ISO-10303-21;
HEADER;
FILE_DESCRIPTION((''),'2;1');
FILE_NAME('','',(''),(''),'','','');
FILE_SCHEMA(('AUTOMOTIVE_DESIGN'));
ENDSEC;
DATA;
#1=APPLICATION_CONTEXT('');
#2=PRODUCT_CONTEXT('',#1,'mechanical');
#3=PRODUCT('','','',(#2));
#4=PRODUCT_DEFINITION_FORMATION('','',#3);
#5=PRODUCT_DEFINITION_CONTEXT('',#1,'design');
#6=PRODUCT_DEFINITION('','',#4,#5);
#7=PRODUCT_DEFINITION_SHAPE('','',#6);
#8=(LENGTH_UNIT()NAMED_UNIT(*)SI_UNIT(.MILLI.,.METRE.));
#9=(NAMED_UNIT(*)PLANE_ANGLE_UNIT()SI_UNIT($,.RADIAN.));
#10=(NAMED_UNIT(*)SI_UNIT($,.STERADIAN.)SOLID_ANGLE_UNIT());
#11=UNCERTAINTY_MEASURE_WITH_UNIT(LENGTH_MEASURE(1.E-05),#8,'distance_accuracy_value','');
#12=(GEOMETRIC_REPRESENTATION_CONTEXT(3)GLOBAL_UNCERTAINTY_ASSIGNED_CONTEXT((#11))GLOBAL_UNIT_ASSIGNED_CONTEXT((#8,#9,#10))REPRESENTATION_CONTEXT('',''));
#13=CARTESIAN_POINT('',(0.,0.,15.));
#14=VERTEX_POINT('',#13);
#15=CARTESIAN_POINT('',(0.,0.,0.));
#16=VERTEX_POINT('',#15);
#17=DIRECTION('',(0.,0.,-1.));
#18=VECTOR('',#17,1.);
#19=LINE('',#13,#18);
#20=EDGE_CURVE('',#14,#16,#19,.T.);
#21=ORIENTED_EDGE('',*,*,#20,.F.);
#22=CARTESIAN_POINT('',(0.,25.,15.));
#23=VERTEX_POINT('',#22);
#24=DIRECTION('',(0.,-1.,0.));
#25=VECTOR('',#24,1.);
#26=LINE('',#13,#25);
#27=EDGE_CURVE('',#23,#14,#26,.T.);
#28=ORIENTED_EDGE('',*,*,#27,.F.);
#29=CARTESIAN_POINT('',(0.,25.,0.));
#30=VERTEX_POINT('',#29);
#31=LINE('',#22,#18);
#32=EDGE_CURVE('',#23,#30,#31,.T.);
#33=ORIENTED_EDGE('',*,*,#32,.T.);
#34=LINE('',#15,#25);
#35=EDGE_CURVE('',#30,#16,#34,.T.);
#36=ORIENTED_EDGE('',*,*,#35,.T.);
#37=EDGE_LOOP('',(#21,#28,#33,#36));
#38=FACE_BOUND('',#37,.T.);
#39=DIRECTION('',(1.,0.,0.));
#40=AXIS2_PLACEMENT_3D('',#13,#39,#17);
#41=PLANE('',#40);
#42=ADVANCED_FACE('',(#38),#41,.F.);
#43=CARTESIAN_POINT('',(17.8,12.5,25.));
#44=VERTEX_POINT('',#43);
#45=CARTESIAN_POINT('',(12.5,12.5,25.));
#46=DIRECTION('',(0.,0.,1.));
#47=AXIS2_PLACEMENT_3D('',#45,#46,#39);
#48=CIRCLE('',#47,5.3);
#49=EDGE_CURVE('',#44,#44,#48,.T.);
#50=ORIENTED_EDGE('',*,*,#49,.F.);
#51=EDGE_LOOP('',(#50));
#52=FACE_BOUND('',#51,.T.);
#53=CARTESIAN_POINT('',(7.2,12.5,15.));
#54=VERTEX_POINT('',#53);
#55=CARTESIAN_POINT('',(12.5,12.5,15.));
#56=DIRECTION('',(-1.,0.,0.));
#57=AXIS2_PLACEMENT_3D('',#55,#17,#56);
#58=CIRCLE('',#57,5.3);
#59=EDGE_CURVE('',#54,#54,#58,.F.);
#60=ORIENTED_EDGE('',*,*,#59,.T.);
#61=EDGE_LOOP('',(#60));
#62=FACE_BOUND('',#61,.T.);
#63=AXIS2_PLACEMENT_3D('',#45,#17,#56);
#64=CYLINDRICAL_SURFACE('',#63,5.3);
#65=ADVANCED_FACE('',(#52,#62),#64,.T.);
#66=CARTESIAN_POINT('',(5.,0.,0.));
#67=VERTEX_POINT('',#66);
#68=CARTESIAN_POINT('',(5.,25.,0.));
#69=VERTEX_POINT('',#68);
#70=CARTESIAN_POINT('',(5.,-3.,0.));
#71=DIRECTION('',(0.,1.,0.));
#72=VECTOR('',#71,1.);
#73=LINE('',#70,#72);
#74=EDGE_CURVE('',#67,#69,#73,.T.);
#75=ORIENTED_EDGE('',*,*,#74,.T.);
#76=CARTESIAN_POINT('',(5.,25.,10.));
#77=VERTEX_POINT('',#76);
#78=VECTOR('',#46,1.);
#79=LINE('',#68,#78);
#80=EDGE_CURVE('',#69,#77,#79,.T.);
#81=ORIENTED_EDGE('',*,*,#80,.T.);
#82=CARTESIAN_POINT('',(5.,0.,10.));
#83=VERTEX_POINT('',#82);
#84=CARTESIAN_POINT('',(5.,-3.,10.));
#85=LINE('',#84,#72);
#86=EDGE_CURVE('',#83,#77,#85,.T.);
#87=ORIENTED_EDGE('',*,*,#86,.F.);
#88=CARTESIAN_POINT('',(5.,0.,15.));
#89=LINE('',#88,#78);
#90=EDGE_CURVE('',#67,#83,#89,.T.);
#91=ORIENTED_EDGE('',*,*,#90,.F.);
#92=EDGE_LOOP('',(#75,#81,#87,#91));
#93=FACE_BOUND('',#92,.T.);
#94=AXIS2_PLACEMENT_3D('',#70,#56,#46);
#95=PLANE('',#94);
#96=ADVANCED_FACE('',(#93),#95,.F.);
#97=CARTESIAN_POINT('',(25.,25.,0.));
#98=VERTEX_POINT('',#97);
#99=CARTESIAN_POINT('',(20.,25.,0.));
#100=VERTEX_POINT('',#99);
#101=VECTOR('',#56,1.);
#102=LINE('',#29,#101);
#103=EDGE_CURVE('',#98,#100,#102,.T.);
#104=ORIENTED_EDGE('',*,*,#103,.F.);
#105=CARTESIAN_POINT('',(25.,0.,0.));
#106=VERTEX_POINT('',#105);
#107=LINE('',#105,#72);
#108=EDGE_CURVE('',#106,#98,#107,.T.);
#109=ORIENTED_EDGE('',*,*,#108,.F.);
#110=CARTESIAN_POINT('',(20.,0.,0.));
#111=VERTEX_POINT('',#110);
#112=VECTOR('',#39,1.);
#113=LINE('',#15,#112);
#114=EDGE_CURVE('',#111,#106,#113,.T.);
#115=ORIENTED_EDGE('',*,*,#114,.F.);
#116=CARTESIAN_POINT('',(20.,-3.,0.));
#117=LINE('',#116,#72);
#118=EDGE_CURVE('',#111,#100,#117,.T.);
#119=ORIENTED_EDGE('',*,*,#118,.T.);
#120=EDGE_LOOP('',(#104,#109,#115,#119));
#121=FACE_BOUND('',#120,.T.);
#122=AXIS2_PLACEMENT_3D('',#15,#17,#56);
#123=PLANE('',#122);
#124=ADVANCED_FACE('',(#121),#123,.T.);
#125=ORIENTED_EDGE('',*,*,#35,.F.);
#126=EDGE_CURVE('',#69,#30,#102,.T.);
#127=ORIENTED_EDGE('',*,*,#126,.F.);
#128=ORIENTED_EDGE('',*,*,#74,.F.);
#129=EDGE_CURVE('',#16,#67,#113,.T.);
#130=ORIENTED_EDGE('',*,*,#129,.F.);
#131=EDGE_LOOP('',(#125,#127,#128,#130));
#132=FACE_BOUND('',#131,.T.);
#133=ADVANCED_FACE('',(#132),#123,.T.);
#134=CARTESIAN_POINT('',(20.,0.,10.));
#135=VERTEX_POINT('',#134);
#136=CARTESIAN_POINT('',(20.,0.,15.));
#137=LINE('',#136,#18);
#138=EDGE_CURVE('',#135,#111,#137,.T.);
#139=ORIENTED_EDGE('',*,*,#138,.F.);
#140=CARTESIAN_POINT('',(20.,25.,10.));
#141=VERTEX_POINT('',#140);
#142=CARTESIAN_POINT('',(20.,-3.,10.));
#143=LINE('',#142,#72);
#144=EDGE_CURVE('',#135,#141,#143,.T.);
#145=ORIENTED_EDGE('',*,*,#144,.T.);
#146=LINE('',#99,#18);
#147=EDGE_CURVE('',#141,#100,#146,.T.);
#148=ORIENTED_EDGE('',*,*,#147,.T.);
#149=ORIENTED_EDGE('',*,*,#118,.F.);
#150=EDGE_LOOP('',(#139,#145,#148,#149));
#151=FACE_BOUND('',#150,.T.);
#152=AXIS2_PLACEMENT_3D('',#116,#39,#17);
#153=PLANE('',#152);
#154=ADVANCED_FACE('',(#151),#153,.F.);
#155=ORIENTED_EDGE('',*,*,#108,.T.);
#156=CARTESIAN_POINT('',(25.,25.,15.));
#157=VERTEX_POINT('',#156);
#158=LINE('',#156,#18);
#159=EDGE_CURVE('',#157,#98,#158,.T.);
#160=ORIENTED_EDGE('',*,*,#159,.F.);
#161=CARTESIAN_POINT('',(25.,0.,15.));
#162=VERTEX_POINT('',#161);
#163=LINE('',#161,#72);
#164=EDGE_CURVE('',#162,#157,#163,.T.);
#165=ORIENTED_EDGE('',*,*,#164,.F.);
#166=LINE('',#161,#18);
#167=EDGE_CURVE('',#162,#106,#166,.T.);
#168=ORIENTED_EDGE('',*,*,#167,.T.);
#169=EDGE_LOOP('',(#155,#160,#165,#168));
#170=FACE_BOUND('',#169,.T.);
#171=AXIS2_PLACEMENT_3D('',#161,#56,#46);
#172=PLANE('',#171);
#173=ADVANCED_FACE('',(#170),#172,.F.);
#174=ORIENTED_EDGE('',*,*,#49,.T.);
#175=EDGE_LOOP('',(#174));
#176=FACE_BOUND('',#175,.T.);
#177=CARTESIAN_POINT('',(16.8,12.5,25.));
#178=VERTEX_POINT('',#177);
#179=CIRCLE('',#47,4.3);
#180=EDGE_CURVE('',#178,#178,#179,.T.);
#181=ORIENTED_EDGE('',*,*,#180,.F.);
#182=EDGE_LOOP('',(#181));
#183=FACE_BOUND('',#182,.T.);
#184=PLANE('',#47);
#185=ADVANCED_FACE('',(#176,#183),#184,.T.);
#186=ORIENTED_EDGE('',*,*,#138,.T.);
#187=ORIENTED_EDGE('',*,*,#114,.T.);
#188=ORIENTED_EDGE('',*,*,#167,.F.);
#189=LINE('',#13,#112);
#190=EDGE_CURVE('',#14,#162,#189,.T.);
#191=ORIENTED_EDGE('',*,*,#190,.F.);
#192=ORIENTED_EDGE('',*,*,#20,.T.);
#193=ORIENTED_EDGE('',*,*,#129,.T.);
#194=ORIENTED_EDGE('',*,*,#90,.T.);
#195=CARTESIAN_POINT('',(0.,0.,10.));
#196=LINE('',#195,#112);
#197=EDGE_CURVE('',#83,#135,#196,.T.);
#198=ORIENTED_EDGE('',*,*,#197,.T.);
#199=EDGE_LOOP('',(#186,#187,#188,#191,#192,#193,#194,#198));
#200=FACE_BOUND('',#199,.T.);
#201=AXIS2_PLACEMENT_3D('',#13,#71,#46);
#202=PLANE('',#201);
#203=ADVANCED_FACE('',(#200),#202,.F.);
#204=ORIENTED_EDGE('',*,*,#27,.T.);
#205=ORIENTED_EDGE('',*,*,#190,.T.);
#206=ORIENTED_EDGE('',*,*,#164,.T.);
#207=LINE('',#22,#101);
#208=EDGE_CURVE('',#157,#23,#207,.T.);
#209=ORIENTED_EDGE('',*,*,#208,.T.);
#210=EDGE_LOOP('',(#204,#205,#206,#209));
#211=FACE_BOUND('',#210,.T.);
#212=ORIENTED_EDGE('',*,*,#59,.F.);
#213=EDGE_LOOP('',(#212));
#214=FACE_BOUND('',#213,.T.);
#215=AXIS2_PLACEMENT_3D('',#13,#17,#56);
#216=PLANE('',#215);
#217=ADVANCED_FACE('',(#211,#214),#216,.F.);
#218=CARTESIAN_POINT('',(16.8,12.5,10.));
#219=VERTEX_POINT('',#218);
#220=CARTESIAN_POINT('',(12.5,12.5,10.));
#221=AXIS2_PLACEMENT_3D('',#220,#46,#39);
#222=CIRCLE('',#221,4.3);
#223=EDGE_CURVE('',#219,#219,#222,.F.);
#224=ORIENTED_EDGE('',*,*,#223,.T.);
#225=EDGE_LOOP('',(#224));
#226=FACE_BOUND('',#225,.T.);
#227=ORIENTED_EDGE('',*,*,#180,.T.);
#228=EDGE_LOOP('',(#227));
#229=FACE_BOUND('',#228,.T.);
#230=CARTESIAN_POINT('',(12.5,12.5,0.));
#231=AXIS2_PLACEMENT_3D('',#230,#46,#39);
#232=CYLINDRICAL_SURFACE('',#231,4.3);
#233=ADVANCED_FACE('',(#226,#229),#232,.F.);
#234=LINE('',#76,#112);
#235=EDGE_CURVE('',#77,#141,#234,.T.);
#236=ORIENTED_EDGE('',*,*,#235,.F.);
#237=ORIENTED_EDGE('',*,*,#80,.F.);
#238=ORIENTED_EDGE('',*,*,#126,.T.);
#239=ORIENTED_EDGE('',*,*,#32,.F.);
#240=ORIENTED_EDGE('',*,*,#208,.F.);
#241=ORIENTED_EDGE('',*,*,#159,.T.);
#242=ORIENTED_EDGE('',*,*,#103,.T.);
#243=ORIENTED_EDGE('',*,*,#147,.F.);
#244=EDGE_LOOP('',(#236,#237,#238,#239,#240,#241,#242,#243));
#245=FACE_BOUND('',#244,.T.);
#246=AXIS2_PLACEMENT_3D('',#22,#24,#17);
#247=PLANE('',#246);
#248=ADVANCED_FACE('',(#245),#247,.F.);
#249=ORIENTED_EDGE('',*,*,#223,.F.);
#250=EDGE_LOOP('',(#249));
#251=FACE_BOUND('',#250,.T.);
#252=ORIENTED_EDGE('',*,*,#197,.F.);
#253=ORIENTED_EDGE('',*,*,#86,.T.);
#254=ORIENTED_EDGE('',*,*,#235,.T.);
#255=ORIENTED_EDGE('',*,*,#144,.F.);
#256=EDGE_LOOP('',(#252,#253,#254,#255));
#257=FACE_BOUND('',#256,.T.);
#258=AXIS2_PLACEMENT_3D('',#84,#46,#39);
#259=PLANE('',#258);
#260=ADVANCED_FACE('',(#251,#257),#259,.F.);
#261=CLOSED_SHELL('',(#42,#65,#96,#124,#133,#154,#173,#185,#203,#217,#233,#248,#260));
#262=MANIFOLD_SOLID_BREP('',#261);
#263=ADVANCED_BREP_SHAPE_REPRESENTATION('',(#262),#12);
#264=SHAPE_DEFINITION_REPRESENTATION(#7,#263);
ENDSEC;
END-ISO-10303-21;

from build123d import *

# Parameters (mm, degrees)
SKETCH1_W           = 25
SKETCH1_H           = 25
BOSS_EXTRUDE1_DEPTH = 15
SKETCH2_R           = 4.3
CUT_EXTRUDE1_DEPTH  = 39.405728739
BOSS_EXTRUDE2_START = 10
SKETCH3_R           = 5.3
SKETCH3_R_2         = 4.3
BOSS_EXTRUDE2_DEPTH = 10
SKETCH4_W           = 15
SKETCH4_H           = 10
CUT_EXTRUDE2_DEPTH  = 28


with BuildPart() as part:
    # Sketch1 → Boss-Extrude1 (new body)
    with BuildSketch(Plane.XY):
        with Locations((12.5, 12.5)):
            Rectangle(SKETCH1_W, SKETCH1_H)
    extrude(amount=BOSS_EXTRUDE1_DEPTH)

    # Sketch2 → Cut-Extrude1 (cut, through all)
    with BuildSketch(Plane.XY.offset(15)):
        with Locations((12.5, 12.5)):
            Circle(SKETCH2_R)
    extrude(amount=-CUT_EXTRUDE1_DEPTH, mode=Mode.SUBTRACT)

    # Sketch3 → Boss-Extrude2 (add)
    with BuildSketch(Plane.XY.offset(15).offset(BOSS_EXTRUDE2_START)):
        with Locations(Location((12.5, 12.5, 0), (0, 0, 180))):
            Circle(SKETCH3_R)
        with Locations((12.5, 12.5)):
            Circle(SKETCH3_R_2, mode=Mode.SUBTRACT)
    extrude(amount=-BOSS_EXTRUDE2_DEPTH)

    # Sketch4 → Cut-Extrude2 (cut)
    with BuildSketch(Plane(origin=(0, 25, 0), x_dir=(1, 0, 0), z_dir=(0, 1, 0))):
        with Locations((12.5, -5)):
            Rectangle(SKETCH4_W, SKETCH4_H)
    extrude(amount=-CUT_EXTRUDE2_DEPTH, mode=Mode.SUBTRACT)


solid = part.part
